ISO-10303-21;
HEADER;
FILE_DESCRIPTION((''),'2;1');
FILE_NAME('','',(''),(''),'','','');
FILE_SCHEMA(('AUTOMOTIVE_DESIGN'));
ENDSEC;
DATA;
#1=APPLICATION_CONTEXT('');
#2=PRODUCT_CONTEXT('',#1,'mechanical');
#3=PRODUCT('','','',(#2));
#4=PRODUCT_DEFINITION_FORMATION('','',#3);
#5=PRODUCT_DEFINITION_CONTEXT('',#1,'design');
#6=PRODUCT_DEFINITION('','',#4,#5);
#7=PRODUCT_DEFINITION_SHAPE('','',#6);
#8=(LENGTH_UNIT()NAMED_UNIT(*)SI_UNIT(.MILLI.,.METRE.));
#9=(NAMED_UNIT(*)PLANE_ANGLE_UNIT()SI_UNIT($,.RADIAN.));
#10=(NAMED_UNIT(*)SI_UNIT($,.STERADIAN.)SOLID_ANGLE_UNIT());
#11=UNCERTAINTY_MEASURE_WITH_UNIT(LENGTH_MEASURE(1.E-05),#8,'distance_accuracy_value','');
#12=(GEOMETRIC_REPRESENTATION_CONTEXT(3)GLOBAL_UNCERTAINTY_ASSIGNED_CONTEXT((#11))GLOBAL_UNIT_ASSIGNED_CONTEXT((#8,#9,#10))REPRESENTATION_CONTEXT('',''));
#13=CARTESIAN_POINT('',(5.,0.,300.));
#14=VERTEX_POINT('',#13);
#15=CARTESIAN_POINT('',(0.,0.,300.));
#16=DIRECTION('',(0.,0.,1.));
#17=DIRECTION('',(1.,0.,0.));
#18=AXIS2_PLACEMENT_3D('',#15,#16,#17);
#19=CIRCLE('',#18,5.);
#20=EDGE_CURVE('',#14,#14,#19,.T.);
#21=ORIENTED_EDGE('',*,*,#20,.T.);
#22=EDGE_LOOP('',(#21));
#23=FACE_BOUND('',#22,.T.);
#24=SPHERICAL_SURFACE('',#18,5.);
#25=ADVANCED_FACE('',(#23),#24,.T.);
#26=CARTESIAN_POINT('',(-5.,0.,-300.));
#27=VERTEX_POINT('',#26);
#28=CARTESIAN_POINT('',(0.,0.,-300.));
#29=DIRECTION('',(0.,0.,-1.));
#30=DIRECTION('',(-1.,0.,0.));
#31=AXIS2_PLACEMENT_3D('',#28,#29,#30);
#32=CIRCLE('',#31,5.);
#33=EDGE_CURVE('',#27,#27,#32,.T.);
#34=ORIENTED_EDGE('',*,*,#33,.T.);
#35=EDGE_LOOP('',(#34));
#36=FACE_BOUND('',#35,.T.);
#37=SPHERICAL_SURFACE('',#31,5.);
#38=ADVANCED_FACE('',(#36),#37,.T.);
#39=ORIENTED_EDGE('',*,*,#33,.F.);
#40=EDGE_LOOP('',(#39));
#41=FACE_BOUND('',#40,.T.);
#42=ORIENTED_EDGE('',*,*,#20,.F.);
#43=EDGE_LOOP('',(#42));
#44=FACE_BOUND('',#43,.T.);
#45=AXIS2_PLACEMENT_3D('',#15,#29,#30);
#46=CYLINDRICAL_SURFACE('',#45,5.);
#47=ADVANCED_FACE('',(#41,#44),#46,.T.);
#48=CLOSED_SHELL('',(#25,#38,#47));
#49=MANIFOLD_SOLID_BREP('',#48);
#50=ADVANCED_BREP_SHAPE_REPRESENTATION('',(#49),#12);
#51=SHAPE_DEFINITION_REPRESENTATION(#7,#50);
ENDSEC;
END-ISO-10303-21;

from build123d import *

# Parameters (mm, degrees)
SKETCH3_R           = 5
BOSS_EXTRUDE1_DEPTH = 300
REVOLVE3_ANGLE      = 180


with BuildPart() as part:
    # Sketch3 → Boss-Extrude1 (new body)
    with BuildSketch(Plane.XY):
        Circle(SKETCH3_R)
    boss_extrude1 = extrude(amount=BOSS_EXTRUDE1_DEPTH)

    # Sketch4 → Revolve3 (revolve)
    with BuildSketch(Plane.XY.offset(300)):
        with BuildLine():
            Line((0, 5), (0, -5))
            ThreePointArc((0, -5), (-5, 0), (0, 5))
        make_face()
    revolve3 = revolve(axis=Axis((0, 5, 300), (0, 1, 0)), revolution_arc=REVOLVE3_ANGLE)

    # Mirror2: Boss-Extrude1, Revolve3 across plane
    add(boss_extrude1.mirror(Plane.XY))
    add(revolve3.mirror(Plane.XY))


solid = part.part
